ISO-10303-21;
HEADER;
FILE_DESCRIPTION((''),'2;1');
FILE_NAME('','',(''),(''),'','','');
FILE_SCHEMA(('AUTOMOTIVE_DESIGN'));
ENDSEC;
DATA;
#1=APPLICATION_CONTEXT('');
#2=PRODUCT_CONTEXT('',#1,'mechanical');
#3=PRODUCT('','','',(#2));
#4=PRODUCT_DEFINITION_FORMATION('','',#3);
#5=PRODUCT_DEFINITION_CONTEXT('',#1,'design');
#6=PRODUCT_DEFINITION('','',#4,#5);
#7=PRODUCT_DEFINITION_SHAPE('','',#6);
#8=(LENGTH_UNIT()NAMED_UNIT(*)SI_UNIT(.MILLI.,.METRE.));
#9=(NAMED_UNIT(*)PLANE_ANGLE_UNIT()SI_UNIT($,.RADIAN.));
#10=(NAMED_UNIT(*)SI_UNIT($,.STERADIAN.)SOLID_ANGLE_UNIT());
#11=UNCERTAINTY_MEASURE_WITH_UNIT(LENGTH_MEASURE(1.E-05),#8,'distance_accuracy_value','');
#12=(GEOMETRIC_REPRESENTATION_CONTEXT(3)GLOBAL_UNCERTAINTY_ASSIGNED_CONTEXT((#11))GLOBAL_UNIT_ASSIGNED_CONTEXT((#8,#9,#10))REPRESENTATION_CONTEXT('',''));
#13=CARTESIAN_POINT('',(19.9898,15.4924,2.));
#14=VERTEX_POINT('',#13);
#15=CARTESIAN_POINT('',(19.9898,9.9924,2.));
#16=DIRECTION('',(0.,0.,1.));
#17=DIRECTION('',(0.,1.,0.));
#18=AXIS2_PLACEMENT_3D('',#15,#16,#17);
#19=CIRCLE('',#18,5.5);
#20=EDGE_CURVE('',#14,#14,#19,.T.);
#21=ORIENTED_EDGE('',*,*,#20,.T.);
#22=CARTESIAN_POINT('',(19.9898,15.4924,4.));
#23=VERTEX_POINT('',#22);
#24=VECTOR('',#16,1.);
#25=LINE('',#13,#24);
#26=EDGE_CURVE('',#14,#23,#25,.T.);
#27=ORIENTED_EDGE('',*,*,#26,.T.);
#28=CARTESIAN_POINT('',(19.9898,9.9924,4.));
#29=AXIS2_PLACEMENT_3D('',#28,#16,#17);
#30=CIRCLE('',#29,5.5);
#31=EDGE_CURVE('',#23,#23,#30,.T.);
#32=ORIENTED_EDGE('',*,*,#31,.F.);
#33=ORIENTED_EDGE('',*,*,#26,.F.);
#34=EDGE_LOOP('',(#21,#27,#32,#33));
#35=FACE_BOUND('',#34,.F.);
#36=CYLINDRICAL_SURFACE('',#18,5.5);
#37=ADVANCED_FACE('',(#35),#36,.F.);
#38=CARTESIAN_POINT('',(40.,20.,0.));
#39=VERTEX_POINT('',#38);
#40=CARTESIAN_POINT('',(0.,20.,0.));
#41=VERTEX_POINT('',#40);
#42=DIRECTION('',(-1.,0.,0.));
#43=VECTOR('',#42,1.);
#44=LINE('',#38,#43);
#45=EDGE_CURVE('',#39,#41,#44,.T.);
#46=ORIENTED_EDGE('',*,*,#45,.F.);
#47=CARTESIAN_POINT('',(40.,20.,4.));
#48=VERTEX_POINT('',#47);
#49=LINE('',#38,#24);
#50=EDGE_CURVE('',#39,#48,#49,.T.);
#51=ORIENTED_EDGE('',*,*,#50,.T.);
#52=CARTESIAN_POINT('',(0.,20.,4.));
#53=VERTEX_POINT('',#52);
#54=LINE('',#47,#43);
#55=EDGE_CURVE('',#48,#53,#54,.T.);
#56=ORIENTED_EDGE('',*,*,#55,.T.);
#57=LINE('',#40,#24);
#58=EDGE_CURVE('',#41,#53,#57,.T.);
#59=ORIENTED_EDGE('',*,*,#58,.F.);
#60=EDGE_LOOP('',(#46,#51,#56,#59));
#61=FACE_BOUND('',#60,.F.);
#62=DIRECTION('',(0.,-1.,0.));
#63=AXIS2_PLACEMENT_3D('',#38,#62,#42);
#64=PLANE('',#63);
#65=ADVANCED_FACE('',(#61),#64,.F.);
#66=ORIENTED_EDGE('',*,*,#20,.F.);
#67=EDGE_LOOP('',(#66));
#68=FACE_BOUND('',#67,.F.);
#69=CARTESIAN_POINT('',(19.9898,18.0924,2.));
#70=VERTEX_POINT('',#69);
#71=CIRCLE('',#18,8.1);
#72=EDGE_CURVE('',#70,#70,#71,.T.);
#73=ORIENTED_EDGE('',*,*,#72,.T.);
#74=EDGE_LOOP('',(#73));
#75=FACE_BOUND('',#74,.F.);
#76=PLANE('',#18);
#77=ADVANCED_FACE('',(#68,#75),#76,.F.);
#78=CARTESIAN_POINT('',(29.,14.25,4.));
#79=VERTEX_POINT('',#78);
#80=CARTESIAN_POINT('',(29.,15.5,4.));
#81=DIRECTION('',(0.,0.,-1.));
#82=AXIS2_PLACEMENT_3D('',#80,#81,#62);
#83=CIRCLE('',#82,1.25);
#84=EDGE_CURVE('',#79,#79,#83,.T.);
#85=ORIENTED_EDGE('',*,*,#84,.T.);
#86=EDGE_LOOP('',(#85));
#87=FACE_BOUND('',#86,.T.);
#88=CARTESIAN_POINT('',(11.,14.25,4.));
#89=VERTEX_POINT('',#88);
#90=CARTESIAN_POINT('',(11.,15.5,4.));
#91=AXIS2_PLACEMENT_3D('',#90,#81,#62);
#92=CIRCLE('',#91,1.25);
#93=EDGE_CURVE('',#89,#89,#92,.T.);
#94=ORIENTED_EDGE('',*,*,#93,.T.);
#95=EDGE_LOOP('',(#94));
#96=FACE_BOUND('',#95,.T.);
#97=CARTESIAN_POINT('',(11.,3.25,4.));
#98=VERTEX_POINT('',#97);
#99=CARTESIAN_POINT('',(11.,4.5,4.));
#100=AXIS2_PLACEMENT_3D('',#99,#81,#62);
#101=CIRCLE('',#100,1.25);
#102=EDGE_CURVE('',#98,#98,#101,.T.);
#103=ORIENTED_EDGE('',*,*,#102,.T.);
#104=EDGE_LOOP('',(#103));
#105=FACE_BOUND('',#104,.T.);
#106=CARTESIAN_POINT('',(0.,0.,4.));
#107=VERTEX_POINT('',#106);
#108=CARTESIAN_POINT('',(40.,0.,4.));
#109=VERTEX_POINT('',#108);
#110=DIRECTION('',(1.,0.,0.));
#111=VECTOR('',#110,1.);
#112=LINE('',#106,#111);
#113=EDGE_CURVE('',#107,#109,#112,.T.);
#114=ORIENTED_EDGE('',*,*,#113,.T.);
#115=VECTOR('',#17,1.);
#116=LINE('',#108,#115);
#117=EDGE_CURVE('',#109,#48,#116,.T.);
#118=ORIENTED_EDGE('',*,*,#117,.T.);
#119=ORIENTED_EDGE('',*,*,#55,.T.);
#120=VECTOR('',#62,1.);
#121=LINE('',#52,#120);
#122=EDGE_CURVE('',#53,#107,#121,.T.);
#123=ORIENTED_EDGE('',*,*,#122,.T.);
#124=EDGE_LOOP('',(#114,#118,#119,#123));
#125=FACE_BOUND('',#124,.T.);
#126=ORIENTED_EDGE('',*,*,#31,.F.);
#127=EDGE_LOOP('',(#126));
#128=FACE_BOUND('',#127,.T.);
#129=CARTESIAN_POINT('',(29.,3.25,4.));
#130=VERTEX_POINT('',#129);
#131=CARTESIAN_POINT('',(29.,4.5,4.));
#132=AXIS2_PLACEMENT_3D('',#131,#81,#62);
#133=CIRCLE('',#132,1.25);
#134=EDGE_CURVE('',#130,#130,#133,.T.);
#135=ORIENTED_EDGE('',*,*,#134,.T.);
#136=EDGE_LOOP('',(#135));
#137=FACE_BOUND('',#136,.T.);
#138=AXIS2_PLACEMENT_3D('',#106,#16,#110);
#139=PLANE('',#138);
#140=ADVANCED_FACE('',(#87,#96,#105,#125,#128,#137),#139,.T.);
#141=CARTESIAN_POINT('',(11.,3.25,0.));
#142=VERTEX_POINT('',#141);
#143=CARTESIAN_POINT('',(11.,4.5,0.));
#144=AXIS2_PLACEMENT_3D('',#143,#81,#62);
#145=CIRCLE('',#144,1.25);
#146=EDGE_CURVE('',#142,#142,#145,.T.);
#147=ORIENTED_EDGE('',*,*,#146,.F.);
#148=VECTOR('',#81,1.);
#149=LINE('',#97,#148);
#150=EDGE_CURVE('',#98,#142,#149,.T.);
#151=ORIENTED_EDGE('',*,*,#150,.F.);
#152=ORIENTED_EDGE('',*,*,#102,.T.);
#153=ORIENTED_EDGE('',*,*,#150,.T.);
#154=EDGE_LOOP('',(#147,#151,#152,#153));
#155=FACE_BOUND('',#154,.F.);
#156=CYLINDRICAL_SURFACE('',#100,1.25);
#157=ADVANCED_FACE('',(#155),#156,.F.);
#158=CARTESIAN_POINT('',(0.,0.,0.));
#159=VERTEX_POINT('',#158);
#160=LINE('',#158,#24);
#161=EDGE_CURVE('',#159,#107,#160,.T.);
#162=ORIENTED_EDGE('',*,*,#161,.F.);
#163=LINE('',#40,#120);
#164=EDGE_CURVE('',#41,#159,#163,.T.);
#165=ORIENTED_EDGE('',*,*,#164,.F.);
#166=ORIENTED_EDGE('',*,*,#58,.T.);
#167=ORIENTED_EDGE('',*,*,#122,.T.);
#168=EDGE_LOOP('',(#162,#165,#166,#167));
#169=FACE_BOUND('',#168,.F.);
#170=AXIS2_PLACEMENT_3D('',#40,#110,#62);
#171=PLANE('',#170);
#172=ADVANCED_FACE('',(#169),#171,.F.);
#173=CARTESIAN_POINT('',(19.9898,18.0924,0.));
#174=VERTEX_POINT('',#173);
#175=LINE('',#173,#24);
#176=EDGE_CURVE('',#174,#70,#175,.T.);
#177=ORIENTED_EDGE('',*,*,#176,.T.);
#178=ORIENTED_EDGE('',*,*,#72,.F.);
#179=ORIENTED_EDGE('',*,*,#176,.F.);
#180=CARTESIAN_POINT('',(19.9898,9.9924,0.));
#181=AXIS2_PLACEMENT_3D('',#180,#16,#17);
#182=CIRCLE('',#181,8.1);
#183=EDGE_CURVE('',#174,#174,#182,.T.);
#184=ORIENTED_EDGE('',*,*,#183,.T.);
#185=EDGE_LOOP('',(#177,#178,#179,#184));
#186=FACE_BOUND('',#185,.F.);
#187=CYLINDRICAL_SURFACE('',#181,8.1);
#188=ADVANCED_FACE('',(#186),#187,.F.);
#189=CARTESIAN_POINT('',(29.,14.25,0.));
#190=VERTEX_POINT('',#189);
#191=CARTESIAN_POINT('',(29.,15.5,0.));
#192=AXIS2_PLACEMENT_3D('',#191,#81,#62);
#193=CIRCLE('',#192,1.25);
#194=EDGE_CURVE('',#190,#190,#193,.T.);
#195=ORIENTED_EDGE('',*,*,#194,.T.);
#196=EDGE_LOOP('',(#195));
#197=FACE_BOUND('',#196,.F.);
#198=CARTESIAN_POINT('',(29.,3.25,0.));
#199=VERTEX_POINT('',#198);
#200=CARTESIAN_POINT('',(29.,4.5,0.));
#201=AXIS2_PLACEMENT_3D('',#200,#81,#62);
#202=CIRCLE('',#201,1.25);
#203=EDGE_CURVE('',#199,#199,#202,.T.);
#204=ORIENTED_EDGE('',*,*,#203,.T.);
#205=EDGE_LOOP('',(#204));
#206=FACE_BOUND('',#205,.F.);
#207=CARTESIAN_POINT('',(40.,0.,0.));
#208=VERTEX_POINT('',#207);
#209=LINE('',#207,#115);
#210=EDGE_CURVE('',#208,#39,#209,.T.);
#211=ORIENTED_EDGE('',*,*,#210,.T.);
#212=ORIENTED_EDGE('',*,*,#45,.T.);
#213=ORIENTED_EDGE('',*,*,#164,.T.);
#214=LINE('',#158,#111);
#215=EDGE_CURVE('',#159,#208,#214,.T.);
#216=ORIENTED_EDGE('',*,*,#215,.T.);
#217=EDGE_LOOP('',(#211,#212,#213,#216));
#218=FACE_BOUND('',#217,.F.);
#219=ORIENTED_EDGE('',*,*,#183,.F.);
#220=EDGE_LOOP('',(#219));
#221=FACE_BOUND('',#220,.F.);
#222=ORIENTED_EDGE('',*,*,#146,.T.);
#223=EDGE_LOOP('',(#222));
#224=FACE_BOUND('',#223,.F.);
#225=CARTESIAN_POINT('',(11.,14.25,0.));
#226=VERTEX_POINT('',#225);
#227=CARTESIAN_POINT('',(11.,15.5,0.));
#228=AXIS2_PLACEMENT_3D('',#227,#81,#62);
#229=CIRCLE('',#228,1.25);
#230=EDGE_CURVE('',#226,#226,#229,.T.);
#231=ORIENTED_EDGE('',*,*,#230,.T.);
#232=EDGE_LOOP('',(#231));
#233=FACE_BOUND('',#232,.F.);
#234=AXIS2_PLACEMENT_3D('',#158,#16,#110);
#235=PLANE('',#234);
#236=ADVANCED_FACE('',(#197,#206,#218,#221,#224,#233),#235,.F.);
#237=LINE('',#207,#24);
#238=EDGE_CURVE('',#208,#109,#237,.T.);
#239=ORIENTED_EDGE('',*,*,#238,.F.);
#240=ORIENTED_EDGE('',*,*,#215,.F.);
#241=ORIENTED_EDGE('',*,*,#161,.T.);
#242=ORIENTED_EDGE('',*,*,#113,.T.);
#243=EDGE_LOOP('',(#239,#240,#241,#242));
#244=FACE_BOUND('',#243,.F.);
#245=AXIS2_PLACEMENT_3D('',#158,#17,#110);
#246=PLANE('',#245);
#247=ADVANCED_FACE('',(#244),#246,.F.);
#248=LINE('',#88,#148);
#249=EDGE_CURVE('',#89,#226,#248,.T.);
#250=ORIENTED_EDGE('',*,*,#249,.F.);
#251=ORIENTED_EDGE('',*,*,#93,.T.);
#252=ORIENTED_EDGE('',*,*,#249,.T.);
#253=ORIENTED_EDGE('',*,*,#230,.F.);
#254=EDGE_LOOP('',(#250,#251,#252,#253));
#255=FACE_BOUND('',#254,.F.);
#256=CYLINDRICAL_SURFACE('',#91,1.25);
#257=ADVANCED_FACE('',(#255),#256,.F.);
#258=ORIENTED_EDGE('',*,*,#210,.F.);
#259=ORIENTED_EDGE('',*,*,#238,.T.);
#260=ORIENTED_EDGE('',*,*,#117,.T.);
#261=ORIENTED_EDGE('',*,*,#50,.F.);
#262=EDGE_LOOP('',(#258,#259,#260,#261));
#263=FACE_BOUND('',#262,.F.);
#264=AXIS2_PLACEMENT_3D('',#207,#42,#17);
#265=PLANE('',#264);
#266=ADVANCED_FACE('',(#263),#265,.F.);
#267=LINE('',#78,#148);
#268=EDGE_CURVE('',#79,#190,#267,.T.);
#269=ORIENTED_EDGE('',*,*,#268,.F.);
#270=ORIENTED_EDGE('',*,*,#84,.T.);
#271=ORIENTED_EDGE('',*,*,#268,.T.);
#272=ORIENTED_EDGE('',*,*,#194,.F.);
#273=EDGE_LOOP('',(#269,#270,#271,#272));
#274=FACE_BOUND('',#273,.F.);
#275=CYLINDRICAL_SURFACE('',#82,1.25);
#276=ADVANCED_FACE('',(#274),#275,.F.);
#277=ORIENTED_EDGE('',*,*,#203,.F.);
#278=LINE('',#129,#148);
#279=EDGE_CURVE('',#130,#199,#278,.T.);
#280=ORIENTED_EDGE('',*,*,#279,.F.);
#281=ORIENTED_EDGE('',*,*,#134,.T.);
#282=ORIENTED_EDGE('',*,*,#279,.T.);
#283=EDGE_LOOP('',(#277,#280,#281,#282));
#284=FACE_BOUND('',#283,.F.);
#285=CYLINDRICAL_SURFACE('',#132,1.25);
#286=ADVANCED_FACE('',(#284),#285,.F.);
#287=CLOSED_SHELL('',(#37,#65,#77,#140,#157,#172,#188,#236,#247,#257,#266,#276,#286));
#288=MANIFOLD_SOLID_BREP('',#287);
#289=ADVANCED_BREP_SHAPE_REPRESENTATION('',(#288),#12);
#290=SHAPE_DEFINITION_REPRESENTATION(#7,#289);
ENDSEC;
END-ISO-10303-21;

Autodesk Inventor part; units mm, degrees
ref_plane "YZ Plane" through (0, 0, 0) normal (1, 0, 0) x (0, 1, 0)
ref_plane "XZ Plane" through (0, 0, 0) normal (0, 1, 0) x (-1, 0, 0)
ref_plane "XY Plane" through (0, 0, 0) normal (0, 0, 1) x (1, 0, 0)
sketch "Sketch1" plane through (0, 0, 0) normal (0, 0, 1) x (1, 0, 0)
  line L0 (0, 0) -> (40, 0)
  line L1 (40, 0) -> (40, 20)
  line L2 (40, 20) -> (0, 20)
  line L3 (0, 20) -> (0, 0)
  dimension "d0" = 40
  dimension "d1" = 20
extrude "Extrusion1" add sketch "Sketch1" along normal blind 4
sketch "Sketch3" plane through (0, 0, 4) normal (0, 0, 1) x (1, 0, 0)
  line L0 (40, 20) -> (0, 20) projected
  line L1 (0, 20) -> (0, 0) projected
  point P0 (11, 15.5)
  dimension "d41" = 4.5
  dimension "d42" = 11
hole "Hole2" at (11, 15.5, 4) direction (0, 0, -1) diameter 2.5 end through all
sketch "Sketch4" plane through (0, 0, 4) normal (0, 0, 1) x (1, 0, 0)
  line L0 (0, 20) -> (0, 0) projected
  line L1 (0, 0) -> (40, 0) projected
  point P0 (11, 4.5)
  dimension "d43" = 11
  dimension "d44" = 4.5
hole "Hole3" at (11, 4.5, 4) direction (0, 0, -1) diameter 2.5 end through all
sketch "Sketch5" plane through (0, 0, 4) normal (0, 0, 1) x (1, 0, 0)
  line L0 (40, 0) -> (40, 20) projected
  line L1 (40, 20) -> (0, 20) projected
  point P0 (0, 0)
  point P1 (29, 15.5)
  dimension "d45" = 11
  dimension "d46" = 4.5
hole "Hole4" at (29, 15.5, 4) direction (0, 0, -1) diameter 2.5 end through all
sketch "Sketch6" plane through (0, 0, 4) normal (0, 0, 1) x (1, 0, 0)
  line L0 (40, 0) -> (40, 20) projected
  line L1 (0, 0) -> (40, 0) projected
  point P0 (29, 4.5)
  dimension "d47" = 11
  dimension "d48" = 4.5
hole "Hole5" at (29, 4.5, 4) direction (0, 0, -1) diameter 2.5 end through all
sketch "Sketch7" plane through (0, 0, 0) normal (0, 0, -1) x (-1, 0, 0)
  line L0 (0, 20) -> (0, 0) projected
  line L1 (-40, 20) -> (0, 20) projected
  point P0 (-19.9898, 9.9924)
  dimension "d56" = 19.9898
  dimension "d57" = 10.0076
hole "Hole6" at (19.9898, 9.9924, 0) direction (0, 0, 1) diameter 11 end through all counterbore diameter 16.2 counterbore depth 2
properties part number "bottom_g2v1"
